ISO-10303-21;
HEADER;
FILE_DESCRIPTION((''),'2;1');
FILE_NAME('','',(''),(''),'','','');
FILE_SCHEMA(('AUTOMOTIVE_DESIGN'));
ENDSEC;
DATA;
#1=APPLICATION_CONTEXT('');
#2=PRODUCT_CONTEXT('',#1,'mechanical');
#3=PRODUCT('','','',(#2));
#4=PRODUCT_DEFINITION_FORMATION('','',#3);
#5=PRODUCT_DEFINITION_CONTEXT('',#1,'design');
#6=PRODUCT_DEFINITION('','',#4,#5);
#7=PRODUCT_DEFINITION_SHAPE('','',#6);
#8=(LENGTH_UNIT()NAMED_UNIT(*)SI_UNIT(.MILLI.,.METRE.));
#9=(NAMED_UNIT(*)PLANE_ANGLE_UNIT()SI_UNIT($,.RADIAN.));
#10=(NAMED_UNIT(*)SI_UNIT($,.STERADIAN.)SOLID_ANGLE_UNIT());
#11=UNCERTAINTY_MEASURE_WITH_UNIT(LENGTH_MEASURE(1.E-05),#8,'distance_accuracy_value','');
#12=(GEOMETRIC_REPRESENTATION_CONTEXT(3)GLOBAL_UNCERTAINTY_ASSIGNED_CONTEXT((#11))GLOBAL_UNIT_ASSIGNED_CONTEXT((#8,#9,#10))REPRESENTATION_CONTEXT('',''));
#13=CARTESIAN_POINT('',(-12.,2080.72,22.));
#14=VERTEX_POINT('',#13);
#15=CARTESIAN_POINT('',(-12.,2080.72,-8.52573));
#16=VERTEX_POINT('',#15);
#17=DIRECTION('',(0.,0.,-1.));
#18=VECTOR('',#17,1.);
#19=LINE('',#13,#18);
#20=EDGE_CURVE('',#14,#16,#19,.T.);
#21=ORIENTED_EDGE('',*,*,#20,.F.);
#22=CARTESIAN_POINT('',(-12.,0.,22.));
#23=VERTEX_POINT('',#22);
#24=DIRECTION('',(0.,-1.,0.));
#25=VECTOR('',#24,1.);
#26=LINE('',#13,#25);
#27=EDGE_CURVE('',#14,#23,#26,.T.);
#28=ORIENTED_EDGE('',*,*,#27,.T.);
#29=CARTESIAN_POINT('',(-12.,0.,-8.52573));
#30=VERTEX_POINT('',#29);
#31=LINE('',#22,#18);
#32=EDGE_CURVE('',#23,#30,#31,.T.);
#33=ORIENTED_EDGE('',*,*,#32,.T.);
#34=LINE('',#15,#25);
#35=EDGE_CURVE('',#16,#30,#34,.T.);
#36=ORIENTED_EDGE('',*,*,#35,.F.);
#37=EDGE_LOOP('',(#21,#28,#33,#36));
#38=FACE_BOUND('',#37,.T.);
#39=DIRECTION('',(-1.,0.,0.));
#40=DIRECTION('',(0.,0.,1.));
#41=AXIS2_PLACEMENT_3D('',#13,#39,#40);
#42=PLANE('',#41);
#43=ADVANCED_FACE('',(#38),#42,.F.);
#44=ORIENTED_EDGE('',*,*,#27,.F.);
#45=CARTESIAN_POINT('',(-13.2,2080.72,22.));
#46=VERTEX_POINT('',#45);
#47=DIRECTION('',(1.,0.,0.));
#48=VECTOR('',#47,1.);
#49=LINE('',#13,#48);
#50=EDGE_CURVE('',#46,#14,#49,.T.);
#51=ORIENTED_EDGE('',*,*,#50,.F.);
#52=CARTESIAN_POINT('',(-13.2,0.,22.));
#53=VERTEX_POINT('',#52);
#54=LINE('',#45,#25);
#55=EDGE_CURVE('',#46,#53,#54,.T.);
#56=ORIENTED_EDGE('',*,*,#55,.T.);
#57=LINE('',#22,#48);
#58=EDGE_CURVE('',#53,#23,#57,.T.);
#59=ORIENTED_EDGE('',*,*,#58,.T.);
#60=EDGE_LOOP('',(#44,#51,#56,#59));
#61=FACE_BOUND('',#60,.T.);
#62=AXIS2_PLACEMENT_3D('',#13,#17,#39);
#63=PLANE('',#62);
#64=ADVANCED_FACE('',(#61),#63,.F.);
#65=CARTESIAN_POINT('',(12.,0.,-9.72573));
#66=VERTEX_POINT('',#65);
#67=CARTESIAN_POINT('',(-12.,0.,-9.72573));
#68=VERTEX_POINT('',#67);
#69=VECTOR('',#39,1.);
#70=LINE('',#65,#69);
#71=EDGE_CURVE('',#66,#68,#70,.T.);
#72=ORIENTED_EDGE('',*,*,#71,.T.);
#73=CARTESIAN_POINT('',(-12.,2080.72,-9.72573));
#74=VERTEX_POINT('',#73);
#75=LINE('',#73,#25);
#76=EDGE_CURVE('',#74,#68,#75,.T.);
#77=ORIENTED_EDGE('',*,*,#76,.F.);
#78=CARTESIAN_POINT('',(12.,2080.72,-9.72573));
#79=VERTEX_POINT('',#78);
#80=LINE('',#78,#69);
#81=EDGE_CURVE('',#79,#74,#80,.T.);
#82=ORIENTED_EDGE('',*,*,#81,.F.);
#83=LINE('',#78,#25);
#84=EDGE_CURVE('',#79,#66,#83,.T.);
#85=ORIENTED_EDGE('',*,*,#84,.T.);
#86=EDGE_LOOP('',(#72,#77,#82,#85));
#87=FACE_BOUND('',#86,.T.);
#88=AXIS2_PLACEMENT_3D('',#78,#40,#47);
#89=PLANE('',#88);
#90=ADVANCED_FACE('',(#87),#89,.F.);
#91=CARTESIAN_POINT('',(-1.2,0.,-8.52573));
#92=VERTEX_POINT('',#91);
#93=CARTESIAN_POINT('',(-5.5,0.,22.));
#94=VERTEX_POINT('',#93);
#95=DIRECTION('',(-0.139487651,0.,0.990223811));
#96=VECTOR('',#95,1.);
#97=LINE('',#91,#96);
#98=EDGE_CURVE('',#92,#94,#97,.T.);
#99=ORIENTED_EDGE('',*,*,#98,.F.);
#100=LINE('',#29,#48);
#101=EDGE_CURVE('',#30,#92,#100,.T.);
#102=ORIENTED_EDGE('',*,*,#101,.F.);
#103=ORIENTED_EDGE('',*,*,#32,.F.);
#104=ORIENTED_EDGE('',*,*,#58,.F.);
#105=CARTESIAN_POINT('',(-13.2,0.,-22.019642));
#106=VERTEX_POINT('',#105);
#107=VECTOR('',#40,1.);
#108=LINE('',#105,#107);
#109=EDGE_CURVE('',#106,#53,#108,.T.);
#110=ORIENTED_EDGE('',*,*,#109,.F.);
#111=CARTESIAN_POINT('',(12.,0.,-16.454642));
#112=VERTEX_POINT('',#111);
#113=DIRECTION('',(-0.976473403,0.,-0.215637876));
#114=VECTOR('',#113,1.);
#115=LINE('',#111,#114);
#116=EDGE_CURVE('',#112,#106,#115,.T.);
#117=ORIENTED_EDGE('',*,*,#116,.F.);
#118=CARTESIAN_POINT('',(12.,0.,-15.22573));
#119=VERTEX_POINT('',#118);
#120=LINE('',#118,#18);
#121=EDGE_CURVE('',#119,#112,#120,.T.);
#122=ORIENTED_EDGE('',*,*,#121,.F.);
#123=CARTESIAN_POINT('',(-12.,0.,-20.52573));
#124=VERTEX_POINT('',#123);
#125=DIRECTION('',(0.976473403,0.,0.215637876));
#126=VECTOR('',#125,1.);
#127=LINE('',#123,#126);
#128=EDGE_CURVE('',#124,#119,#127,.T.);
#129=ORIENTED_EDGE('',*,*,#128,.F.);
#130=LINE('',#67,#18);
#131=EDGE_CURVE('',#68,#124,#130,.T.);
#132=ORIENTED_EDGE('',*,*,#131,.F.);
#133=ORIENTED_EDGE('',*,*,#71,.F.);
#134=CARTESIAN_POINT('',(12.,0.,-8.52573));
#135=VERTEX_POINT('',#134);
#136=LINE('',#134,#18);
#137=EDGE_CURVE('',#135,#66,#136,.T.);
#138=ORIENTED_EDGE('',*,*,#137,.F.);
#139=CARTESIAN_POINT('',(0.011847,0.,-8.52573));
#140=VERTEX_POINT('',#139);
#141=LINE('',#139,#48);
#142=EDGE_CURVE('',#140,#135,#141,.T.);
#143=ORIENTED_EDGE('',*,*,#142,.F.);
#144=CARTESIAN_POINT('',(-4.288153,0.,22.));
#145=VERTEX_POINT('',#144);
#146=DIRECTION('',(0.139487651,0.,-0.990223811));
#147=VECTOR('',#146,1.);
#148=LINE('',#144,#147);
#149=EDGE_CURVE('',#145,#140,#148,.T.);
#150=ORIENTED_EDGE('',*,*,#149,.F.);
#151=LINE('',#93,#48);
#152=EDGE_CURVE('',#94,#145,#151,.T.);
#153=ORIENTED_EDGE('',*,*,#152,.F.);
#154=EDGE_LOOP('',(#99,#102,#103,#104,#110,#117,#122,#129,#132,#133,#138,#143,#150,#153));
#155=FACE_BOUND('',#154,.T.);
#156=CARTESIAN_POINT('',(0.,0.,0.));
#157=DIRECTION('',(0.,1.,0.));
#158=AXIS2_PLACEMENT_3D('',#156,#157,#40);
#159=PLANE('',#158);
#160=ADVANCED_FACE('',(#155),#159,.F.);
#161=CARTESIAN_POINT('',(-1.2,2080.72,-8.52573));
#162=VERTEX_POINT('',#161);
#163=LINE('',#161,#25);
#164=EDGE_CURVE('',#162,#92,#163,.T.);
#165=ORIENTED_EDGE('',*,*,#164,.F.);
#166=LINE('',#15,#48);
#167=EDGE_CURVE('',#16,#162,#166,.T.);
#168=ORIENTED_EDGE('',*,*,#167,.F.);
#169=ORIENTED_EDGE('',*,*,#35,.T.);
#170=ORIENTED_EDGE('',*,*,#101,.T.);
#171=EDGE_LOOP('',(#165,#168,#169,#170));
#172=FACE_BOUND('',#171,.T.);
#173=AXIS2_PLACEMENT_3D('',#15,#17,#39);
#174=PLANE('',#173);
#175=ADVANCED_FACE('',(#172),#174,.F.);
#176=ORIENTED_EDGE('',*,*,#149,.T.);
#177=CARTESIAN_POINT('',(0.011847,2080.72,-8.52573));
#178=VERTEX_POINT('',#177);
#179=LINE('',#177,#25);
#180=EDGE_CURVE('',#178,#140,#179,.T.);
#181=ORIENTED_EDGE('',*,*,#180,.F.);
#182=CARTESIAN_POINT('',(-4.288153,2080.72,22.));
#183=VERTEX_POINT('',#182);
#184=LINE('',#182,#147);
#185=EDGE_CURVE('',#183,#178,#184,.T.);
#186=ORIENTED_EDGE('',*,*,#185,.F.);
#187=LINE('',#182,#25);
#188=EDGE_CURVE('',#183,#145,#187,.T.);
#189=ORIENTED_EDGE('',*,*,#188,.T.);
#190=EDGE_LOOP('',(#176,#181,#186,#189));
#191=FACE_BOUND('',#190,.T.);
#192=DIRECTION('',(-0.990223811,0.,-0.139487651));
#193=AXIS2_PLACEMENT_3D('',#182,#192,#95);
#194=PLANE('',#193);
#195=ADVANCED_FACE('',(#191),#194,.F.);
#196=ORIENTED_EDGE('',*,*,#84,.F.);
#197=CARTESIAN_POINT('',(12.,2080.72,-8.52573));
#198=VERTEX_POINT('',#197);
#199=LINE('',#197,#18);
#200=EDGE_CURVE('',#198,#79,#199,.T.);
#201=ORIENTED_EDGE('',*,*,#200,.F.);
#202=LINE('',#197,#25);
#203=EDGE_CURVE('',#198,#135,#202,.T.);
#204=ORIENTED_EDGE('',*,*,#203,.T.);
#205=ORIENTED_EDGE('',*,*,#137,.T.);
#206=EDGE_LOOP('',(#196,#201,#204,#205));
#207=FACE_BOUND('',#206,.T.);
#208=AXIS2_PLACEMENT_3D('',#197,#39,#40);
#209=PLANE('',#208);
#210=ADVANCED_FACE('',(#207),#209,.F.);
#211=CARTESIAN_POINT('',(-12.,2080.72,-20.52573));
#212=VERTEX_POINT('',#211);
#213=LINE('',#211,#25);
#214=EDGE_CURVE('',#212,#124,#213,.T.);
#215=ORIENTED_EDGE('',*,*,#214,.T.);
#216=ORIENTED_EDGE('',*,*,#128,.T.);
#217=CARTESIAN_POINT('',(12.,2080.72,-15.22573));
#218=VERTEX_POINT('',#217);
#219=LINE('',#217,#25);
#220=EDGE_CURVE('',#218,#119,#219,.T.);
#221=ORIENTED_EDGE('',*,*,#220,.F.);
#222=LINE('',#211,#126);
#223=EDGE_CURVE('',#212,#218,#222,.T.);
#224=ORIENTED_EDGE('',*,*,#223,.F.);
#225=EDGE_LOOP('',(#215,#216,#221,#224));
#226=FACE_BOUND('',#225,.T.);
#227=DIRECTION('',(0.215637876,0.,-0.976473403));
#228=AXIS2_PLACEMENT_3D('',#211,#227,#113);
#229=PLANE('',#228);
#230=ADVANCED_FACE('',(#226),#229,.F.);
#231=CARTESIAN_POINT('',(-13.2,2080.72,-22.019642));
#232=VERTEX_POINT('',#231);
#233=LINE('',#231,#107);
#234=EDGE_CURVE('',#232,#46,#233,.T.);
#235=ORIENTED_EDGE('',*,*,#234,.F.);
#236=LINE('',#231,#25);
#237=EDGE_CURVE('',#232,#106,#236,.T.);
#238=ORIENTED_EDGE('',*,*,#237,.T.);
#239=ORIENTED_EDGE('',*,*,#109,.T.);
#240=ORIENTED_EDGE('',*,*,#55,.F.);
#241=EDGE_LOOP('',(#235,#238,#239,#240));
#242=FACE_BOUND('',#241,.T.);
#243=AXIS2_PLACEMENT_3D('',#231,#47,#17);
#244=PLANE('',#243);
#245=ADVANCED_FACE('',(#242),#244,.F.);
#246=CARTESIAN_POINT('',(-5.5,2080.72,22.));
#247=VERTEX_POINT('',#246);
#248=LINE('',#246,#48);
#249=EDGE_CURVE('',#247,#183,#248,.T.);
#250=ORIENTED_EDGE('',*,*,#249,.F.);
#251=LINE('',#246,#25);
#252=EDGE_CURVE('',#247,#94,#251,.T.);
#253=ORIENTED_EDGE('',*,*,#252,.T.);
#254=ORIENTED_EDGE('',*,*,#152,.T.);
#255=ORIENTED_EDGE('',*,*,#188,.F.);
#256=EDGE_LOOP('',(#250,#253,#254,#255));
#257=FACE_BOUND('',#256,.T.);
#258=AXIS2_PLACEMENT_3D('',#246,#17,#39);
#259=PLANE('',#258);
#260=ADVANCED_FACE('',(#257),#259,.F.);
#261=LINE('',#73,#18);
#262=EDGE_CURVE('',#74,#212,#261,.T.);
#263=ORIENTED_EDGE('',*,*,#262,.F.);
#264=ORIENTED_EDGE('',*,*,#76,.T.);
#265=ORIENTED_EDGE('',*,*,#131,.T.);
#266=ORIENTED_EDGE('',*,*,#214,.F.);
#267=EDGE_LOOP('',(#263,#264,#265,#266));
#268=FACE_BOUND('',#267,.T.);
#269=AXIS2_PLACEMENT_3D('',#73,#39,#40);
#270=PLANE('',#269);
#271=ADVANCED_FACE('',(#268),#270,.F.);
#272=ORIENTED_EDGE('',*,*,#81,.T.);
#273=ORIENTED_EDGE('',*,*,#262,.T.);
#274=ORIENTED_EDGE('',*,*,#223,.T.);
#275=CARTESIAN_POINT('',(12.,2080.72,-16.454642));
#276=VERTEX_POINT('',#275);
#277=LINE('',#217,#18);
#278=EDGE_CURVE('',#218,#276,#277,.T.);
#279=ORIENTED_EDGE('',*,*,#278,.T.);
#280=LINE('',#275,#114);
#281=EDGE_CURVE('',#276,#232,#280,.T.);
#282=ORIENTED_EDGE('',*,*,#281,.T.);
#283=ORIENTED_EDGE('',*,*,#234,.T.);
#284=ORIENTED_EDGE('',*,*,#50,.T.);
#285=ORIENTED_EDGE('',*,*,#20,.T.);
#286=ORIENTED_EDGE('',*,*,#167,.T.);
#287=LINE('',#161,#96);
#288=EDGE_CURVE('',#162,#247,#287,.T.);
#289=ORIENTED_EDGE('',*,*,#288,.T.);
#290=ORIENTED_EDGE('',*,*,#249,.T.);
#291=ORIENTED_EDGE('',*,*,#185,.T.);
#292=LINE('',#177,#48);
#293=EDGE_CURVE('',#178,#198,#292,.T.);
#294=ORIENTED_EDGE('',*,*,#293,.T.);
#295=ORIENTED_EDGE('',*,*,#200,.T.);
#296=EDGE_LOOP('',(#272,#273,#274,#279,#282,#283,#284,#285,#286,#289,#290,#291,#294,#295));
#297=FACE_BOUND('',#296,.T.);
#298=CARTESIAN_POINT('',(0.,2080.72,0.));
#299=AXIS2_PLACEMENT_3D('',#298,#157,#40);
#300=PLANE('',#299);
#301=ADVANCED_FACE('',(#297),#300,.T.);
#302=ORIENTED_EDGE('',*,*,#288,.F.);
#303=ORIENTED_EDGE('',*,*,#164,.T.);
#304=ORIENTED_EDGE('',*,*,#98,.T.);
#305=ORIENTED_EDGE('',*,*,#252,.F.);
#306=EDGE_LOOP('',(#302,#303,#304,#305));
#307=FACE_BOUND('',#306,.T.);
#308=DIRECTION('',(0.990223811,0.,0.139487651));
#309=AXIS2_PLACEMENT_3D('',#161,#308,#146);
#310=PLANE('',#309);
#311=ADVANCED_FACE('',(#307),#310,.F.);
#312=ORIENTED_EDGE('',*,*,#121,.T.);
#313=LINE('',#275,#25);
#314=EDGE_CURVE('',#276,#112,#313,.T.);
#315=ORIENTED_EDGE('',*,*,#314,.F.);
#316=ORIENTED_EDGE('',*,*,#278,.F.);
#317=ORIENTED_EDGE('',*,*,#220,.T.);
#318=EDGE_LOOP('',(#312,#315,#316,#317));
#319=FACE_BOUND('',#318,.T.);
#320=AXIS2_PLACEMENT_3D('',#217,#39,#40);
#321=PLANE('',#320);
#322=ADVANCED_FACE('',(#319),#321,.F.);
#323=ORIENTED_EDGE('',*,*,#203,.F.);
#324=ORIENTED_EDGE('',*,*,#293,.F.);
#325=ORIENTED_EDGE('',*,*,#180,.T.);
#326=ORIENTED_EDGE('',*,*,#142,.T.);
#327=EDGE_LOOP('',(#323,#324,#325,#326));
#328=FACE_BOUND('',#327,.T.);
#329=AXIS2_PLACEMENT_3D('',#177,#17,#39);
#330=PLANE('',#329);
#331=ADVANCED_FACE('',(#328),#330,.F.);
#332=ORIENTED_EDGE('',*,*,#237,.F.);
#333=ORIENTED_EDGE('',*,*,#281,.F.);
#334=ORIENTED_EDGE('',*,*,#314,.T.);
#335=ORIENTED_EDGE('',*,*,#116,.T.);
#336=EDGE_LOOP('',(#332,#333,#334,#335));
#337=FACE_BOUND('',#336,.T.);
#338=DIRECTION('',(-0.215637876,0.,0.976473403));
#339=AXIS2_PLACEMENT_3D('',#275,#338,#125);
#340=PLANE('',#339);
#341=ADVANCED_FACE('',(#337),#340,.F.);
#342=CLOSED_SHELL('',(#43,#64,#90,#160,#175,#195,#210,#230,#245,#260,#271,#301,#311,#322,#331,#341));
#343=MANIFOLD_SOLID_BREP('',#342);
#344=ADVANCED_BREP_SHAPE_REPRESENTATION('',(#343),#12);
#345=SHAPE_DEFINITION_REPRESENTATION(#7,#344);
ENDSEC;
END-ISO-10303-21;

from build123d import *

# Parameters (mm, degrees)
BOSS_EXTRUDE1_DEPTH = 2080.72


with BuildPart() as part:
    # Sketch1 → Boss-Extrude1 (new body)
    with BuildSketch(Plane(origin=(0, 0, 0), x_dir=(1, 0, 0), z_dir=(0, 1, 0))):
        Polygon((-13.2, 22.019642185), (-13.2, -22), (-12, -22), (-12, 8.525730065), (-1.2, 8.525730065), (-5.5, -22), (-4.288152752, -22), (0.011847248, 8.525730065), (12, 8.525730065), (12, 9.725730065), (-12, 9.725730065), (-12, 20.525730065), (12, 15.225730065), (12, 16.454642185), align=None)
    extrude(amount=BOSS_EXTRUDE1_DEPTH)


solid = part.part
